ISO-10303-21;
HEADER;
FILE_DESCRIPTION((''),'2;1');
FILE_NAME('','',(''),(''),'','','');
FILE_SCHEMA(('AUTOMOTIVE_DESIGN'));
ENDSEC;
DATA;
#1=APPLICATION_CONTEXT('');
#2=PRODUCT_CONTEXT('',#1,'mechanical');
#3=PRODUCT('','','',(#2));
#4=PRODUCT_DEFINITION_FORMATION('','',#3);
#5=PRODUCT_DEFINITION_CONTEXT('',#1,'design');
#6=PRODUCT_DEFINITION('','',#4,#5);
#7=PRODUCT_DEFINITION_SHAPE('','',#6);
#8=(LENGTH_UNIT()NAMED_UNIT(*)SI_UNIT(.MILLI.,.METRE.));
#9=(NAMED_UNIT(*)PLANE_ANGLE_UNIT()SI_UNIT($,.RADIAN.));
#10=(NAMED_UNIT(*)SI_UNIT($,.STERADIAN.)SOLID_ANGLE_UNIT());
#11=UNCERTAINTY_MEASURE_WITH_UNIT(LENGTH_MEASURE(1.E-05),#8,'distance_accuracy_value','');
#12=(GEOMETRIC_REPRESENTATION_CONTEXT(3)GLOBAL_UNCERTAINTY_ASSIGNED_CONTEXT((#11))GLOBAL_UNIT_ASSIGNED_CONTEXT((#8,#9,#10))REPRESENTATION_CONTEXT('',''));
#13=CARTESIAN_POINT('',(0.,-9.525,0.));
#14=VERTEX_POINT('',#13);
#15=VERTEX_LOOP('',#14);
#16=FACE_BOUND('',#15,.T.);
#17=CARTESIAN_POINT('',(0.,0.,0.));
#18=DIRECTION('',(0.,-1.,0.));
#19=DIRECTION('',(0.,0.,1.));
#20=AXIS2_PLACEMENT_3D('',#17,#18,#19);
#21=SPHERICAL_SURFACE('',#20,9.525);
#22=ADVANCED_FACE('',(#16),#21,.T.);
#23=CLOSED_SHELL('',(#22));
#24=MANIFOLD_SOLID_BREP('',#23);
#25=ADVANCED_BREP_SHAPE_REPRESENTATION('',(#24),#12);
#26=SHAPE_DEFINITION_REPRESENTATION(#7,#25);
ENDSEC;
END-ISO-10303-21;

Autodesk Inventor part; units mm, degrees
ref_plane "YZ Plane" through (0, 0, 0) normal (1, 0, 0) x (0, 1, 0)
ref_plane "XZ Plane" through (0, 0, 0) normal (0, 1, 0) x (-1, 0, 0)
ref_plane "XY Plane" through (0, 0, 0) normal (0, 0, 1) x (1, 0, 0)
sketch "Sketch1" plane through (0, 0, 0) normal (1, 0, 0) x (0, 1, 0)
  circle A0 centre (0, 0) radius 9.525
  line L0 (9.525, 0) -> (-9.525, 0)
  dimension "d0" = 19.05
revolve "Revolution1" add sketch "Sketch1" angle 360 about axis through (0, 9.525, 0) along (0, -1, 0) picked at (0.3827, 3.1519) contours L0 A0
properties part number "msheehan_bearing"
